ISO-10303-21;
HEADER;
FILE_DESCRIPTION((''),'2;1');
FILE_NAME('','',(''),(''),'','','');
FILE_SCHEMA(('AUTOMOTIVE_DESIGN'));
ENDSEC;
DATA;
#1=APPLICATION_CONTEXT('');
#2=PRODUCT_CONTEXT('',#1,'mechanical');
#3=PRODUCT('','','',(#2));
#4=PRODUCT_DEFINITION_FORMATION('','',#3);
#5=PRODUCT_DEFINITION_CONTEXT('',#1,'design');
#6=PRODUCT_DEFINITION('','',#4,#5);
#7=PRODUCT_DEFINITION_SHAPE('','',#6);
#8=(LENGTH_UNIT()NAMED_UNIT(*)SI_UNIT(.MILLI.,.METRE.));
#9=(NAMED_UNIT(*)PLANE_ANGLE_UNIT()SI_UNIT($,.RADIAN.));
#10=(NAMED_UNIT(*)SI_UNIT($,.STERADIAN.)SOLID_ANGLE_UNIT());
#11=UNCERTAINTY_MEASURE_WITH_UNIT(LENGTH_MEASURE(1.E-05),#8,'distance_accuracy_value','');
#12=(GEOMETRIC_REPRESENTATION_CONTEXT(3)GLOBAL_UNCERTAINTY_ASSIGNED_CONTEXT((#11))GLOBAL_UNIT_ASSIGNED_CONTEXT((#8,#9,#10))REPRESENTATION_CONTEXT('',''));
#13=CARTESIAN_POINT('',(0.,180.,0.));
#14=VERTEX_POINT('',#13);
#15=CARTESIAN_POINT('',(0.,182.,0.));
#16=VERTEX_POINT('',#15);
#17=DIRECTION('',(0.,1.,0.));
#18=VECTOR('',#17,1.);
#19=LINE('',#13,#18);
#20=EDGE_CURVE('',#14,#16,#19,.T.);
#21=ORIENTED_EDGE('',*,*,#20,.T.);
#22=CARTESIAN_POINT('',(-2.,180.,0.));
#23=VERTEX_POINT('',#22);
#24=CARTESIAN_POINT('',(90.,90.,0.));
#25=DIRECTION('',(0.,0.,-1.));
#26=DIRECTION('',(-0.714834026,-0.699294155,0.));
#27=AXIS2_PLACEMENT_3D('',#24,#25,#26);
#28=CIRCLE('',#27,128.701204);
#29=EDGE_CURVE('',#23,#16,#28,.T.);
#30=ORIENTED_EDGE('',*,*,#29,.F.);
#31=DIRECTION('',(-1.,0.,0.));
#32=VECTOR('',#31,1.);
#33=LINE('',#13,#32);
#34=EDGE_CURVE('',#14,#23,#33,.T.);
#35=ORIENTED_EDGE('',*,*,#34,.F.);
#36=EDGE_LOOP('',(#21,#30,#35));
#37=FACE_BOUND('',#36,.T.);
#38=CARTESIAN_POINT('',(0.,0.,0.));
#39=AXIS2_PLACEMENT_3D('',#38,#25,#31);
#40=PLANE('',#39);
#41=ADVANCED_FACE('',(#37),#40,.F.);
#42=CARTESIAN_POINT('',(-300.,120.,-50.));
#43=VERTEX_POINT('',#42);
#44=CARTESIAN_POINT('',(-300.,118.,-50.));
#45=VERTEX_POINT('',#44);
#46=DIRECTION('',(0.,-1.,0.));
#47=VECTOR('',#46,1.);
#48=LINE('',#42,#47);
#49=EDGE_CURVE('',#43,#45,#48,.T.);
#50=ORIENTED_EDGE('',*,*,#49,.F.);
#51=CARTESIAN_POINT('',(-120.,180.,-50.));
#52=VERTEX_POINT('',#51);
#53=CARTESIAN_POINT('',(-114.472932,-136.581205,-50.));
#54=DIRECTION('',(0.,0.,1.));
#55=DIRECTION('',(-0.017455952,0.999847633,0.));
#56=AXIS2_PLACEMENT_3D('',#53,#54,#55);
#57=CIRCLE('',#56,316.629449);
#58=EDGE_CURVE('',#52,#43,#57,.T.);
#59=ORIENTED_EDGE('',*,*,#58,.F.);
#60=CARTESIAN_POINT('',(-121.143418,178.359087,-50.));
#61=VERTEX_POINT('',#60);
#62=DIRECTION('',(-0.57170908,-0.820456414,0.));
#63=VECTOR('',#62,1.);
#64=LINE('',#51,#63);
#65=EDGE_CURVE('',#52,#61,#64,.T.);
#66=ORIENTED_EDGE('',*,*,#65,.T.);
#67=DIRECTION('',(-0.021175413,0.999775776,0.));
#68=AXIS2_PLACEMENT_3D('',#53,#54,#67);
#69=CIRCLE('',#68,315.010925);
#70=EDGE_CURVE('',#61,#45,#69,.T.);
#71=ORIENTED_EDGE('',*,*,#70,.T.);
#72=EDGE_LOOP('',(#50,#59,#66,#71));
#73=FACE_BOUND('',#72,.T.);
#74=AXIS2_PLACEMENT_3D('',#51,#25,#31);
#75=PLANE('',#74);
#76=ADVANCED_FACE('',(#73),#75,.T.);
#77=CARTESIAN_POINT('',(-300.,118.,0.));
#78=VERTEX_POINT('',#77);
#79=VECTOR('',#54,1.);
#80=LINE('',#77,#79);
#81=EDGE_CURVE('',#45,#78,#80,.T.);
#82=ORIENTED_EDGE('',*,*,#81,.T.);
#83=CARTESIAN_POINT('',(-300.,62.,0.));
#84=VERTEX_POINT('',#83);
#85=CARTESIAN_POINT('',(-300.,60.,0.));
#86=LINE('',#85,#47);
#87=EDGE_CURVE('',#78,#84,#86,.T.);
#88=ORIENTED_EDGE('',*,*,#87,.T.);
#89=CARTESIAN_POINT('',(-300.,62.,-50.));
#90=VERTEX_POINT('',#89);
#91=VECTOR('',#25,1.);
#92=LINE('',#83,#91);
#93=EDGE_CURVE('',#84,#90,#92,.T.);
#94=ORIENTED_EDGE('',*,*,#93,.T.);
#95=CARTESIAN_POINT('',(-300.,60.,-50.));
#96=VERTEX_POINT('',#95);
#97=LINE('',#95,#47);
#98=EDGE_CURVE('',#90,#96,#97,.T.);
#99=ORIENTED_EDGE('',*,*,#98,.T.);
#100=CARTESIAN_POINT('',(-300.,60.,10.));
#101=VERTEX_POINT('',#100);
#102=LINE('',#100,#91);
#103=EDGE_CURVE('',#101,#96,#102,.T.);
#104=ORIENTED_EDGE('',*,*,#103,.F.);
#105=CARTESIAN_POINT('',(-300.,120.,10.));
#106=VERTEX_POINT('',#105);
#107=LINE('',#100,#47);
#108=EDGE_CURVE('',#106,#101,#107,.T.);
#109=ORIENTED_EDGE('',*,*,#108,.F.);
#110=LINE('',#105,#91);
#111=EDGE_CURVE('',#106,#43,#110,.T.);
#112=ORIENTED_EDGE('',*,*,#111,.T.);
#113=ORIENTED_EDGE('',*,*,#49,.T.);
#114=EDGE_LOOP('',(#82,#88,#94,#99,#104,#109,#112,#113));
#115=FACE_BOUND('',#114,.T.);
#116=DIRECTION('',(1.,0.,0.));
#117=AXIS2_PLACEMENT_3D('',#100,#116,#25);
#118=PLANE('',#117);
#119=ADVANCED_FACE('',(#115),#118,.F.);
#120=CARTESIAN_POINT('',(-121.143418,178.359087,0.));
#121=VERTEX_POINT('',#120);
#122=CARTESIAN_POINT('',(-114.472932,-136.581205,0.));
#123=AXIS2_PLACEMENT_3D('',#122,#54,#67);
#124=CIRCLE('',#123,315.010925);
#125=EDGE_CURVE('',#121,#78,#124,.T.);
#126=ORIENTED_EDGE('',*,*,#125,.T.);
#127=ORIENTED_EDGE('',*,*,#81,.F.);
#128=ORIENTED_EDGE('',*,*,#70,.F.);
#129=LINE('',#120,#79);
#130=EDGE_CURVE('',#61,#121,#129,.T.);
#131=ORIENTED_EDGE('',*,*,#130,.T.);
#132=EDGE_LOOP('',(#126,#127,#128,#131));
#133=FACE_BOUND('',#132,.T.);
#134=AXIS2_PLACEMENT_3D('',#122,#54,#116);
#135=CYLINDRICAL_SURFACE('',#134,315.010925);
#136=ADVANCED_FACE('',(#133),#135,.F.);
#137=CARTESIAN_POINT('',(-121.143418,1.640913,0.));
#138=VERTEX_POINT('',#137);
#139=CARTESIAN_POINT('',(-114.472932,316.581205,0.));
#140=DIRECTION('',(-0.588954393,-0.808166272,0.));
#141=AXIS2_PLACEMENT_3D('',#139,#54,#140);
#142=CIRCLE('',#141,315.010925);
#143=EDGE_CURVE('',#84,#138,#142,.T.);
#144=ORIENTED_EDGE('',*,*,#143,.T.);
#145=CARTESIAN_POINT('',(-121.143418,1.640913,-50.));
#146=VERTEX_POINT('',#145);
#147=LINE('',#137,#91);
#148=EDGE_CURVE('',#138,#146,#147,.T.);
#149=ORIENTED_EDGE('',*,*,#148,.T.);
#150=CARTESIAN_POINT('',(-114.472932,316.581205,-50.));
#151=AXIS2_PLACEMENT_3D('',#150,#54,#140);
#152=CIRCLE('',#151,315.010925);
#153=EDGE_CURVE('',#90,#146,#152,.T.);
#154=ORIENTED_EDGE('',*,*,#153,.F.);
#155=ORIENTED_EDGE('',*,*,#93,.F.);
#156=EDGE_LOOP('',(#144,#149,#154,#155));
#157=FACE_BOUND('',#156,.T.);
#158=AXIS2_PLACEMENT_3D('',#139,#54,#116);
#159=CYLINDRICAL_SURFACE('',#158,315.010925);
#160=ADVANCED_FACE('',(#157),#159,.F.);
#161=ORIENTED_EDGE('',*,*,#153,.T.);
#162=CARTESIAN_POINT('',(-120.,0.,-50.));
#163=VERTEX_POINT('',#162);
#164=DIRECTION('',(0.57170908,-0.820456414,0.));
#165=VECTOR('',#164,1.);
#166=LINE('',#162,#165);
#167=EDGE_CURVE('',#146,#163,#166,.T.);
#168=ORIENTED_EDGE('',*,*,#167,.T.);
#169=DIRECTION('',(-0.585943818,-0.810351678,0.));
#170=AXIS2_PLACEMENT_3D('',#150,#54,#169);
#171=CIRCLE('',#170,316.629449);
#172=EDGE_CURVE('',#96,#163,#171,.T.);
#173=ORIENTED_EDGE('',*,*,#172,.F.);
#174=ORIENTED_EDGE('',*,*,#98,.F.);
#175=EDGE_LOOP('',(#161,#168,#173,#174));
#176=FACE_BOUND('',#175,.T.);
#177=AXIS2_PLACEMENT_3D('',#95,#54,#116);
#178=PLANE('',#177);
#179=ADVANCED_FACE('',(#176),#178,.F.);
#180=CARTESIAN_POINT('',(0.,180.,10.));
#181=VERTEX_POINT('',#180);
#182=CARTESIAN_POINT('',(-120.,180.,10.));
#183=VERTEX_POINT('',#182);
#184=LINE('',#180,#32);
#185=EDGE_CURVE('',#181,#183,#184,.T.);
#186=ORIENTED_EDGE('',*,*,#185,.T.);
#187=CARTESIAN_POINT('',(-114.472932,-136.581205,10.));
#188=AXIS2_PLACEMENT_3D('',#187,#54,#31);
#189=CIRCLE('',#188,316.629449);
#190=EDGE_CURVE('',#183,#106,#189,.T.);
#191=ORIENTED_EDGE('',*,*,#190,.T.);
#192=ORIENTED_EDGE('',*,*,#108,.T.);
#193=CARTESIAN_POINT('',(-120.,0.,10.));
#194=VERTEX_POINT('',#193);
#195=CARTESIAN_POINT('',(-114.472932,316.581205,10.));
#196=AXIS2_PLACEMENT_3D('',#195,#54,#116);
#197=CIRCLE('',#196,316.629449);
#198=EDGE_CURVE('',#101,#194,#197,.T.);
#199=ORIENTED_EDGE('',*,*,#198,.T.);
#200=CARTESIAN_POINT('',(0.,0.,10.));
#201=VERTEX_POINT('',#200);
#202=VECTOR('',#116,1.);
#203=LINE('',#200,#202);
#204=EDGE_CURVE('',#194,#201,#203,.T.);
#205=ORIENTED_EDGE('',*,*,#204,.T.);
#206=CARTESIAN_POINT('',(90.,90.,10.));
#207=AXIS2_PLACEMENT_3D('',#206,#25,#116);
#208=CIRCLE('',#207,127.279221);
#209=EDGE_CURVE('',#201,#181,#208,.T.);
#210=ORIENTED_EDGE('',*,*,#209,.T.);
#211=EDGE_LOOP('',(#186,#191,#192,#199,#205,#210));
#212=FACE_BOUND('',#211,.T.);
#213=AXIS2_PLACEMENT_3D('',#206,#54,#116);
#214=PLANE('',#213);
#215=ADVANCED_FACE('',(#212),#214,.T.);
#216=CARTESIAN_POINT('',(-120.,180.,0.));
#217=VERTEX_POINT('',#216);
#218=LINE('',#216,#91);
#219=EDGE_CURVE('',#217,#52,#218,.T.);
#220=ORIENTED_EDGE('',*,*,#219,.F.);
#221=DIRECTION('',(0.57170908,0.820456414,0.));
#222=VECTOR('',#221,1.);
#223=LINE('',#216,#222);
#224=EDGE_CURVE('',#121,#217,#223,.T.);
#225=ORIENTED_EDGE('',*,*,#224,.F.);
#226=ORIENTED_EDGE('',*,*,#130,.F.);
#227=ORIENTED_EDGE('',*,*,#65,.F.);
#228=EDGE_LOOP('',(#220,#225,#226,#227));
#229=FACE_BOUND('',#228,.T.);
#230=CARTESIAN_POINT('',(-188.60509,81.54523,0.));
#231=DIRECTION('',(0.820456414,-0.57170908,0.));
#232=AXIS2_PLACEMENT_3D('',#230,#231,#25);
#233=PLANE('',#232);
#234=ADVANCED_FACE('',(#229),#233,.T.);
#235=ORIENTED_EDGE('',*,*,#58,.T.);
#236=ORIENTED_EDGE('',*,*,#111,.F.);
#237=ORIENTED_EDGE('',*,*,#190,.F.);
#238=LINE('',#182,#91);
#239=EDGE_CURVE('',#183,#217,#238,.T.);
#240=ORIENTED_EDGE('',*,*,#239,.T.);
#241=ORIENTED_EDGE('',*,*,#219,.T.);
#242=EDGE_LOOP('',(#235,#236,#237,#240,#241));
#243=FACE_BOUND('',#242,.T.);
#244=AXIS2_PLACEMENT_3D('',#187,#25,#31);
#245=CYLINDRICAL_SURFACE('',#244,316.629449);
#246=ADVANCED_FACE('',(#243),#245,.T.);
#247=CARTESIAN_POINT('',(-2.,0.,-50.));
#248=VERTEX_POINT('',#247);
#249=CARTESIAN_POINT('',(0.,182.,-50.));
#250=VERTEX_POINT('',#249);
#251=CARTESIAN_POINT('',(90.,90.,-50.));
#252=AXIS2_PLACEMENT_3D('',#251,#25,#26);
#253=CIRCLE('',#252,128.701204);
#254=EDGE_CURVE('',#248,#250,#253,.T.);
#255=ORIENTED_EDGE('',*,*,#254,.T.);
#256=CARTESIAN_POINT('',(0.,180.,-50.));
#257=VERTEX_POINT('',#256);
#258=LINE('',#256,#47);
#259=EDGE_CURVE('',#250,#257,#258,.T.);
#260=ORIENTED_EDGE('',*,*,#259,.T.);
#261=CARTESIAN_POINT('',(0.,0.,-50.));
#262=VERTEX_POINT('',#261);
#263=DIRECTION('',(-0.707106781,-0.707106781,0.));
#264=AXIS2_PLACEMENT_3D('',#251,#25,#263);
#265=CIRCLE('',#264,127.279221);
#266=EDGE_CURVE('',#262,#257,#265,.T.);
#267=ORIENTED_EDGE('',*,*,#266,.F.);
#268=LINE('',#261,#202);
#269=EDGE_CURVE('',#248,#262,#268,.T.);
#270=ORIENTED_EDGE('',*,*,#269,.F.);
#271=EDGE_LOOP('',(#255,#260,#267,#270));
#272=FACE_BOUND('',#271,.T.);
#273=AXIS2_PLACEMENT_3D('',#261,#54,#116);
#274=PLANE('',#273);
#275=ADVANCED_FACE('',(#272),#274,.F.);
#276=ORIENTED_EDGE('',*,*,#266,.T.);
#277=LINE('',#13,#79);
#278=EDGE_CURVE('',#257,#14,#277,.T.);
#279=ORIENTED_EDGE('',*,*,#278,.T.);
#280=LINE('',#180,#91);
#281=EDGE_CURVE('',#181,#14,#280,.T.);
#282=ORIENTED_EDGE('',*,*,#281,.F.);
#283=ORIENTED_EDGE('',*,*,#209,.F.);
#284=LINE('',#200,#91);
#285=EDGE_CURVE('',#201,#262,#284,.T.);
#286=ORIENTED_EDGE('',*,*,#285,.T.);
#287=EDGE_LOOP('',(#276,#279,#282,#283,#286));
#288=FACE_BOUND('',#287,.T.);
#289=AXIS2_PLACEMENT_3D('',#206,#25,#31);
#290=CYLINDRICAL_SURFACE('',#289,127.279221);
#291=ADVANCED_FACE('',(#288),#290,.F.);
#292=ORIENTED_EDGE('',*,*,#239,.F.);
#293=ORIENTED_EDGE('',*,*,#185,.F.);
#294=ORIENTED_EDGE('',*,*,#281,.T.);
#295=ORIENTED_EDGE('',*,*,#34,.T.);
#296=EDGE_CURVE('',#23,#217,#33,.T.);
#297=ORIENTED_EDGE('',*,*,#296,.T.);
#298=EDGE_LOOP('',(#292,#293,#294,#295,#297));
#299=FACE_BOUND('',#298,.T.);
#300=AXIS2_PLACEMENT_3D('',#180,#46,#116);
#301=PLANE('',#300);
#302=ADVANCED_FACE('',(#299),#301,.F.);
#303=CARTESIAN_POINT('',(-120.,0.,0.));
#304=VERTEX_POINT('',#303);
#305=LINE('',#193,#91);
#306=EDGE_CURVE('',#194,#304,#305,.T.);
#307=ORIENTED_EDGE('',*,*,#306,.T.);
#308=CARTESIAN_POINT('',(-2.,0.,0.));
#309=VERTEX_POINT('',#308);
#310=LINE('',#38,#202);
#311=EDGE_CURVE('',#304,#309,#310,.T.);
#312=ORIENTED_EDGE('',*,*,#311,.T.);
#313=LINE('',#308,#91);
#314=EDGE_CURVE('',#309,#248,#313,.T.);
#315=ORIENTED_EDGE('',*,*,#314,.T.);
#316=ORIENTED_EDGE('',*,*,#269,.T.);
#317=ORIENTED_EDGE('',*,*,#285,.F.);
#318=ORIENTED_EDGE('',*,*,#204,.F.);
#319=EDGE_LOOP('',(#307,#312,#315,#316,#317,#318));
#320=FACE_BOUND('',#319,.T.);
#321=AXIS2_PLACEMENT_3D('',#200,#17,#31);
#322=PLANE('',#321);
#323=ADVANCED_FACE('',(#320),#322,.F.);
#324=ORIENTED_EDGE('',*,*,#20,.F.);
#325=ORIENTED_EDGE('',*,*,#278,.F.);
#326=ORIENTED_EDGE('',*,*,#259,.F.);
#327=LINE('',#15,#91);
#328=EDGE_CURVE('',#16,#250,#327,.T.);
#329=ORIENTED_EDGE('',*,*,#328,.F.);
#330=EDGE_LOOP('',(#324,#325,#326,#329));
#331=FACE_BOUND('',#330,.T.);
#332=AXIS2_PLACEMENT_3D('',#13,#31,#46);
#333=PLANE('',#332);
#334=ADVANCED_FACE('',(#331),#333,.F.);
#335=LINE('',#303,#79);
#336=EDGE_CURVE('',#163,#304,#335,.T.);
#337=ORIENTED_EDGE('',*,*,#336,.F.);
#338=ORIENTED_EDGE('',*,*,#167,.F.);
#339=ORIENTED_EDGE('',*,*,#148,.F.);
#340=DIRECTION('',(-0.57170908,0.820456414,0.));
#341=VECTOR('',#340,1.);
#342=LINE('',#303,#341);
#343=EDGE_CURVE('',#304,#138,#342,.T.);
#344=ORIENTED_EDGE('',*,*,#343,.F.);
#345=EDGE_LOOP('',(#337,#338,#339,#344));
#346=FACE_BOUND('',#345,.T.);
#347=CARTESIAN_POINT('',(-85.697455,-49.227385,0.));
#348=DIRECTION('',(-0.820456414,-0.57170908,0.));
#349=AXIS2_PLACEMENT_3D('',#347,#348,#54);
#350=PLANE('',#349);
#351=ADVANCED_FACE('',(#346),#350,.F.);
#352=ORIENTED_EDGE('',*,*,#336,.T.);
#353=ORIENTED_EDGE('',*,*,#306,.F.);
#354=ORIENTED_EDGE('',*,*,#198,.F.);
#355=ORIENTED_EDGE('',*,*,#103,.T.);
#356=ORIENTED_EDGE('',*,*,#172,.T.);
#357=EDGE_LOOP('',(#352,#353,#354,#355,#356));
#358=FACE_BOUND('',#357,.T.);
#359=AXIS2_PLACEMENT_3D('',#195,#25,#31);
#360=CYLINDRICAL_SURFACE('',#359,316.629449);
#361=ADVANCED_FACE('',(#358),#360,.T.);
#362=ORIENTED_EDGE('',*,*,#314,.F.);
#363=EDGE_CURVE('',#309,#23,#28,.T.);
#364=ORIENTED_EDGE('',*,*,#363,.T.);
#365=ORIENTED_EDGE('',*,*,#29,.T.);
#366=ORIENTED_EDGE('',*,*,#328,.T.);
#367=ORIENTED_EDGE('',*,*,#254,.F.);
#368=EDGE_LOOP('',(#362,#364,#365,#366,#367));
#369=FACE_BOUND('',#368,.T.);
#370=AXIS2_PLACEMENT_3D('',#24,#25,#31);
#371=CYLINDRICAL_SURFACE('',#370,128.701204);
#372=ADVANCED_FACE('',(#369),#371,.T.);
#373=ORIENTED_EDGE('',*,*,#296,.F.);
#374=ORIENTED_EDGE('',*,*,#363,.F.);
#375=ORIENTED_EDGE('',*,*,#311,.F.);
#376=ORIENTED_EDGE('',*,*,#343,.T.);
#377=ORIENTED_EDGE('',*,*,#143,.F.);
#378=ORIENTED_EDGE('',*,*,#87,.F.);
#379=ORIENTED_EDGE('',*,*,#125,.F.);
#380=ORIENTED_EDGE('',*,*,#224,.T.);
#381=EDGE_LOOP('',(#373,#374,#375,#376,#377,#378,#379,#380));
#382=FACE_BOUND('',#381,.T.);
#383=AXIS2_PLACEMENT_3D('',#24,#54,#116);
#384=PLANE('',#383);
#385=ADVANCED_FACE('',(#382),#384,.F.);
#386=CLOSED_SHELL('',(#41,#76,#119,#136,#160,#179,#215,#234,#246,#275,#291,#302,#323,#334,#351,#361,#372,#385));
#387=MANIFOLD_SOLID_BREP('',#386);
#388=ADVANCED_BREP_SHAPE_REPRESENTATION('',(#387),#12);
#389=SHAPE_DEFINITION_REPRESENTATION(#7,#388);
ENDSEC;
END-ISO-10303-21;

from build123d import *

# Parameters (mm, degrees)
BOSS_EXTRUDE1_DEPTH = 10
SKETCH3_W           = 50
SKETCH3_H           = 2
SKETCH4_W           = 50
SKETCH4_H           = 2


with BuildPart() as part:
    # Sketch1 → Boss-Extrude1 (new body)
    with BuildSketch(Plane.XY):
        with BuildLine():
            Line((0, 0), (-120, 0))
            ThreePointArc((-120, 0), (-214.59995491, 16.200135269), (-300, 60))
            Line((-300, 60), (-300, 120))
            ThreePointArc((-300, 120), (-214.59995491, 163.799864731), (-120, 180))
            Line((-120, 180), (0, 180))
            ThreePointArc((0, 180), (-37.279220614, 90), (0, 0))
        make_face()
    extrude(amount=BOSS_EXTRUDE1_DEPTH)

    # Sweep2: sweep along a curve in space
    with BuildLine() as sweep2_path:
        ThreePointArc((0, 0, 0), (-37.279220614, 90, 0), (0, 180, 0))
    # 3DSketch2 → Sweep2 (sweep)
    with BuildSketch(Plane(origin=(0, 0, 0), x_dir=(-0.03996803834887158, 0, -0.9992009587217895), z_dir=(0, -1, 0))):
        Polygon((0, 0), (49.960047936, 1.998401917), (50.039984013, 0), (0.079936077, -1.998401917), align=None)
    sweep(path=sweep2_path.line)

    # Sweep3: sweep along a curve in space
    with BuildLine() as sweep3_path:
        ThreePointArc((-300, 60, 0), (-214.59995491, 16.200135269, 0), (-120, 0, 0))
    # Sketch3 → Sweep3 (sweep)
    with BuildSketch(Plane.ZY.offset(300)):
        with Locations((-25, 61)):
            Rectangle(SKETCH3_W, SKETCH3_H)
    sweep(path=sweep3_path.line)

    # Sweep4: sweep along a curve in space
    with BuildLine() as sweep4_path:
        ThreePointArc((-120, 180, 0), (-214.59995491, 163.799864731, 0), (-300, 120, 0))
    # Sketch4 → Sweep4 (sweep)
    with BuildSketch(Plane.ZY.offset(300)):
        with Locations((-25, 119)):
            Rectangle(SKETCH4_W, SKETCH4_H)
    sweep(path=sweep4_path.line)


solid = part.part
